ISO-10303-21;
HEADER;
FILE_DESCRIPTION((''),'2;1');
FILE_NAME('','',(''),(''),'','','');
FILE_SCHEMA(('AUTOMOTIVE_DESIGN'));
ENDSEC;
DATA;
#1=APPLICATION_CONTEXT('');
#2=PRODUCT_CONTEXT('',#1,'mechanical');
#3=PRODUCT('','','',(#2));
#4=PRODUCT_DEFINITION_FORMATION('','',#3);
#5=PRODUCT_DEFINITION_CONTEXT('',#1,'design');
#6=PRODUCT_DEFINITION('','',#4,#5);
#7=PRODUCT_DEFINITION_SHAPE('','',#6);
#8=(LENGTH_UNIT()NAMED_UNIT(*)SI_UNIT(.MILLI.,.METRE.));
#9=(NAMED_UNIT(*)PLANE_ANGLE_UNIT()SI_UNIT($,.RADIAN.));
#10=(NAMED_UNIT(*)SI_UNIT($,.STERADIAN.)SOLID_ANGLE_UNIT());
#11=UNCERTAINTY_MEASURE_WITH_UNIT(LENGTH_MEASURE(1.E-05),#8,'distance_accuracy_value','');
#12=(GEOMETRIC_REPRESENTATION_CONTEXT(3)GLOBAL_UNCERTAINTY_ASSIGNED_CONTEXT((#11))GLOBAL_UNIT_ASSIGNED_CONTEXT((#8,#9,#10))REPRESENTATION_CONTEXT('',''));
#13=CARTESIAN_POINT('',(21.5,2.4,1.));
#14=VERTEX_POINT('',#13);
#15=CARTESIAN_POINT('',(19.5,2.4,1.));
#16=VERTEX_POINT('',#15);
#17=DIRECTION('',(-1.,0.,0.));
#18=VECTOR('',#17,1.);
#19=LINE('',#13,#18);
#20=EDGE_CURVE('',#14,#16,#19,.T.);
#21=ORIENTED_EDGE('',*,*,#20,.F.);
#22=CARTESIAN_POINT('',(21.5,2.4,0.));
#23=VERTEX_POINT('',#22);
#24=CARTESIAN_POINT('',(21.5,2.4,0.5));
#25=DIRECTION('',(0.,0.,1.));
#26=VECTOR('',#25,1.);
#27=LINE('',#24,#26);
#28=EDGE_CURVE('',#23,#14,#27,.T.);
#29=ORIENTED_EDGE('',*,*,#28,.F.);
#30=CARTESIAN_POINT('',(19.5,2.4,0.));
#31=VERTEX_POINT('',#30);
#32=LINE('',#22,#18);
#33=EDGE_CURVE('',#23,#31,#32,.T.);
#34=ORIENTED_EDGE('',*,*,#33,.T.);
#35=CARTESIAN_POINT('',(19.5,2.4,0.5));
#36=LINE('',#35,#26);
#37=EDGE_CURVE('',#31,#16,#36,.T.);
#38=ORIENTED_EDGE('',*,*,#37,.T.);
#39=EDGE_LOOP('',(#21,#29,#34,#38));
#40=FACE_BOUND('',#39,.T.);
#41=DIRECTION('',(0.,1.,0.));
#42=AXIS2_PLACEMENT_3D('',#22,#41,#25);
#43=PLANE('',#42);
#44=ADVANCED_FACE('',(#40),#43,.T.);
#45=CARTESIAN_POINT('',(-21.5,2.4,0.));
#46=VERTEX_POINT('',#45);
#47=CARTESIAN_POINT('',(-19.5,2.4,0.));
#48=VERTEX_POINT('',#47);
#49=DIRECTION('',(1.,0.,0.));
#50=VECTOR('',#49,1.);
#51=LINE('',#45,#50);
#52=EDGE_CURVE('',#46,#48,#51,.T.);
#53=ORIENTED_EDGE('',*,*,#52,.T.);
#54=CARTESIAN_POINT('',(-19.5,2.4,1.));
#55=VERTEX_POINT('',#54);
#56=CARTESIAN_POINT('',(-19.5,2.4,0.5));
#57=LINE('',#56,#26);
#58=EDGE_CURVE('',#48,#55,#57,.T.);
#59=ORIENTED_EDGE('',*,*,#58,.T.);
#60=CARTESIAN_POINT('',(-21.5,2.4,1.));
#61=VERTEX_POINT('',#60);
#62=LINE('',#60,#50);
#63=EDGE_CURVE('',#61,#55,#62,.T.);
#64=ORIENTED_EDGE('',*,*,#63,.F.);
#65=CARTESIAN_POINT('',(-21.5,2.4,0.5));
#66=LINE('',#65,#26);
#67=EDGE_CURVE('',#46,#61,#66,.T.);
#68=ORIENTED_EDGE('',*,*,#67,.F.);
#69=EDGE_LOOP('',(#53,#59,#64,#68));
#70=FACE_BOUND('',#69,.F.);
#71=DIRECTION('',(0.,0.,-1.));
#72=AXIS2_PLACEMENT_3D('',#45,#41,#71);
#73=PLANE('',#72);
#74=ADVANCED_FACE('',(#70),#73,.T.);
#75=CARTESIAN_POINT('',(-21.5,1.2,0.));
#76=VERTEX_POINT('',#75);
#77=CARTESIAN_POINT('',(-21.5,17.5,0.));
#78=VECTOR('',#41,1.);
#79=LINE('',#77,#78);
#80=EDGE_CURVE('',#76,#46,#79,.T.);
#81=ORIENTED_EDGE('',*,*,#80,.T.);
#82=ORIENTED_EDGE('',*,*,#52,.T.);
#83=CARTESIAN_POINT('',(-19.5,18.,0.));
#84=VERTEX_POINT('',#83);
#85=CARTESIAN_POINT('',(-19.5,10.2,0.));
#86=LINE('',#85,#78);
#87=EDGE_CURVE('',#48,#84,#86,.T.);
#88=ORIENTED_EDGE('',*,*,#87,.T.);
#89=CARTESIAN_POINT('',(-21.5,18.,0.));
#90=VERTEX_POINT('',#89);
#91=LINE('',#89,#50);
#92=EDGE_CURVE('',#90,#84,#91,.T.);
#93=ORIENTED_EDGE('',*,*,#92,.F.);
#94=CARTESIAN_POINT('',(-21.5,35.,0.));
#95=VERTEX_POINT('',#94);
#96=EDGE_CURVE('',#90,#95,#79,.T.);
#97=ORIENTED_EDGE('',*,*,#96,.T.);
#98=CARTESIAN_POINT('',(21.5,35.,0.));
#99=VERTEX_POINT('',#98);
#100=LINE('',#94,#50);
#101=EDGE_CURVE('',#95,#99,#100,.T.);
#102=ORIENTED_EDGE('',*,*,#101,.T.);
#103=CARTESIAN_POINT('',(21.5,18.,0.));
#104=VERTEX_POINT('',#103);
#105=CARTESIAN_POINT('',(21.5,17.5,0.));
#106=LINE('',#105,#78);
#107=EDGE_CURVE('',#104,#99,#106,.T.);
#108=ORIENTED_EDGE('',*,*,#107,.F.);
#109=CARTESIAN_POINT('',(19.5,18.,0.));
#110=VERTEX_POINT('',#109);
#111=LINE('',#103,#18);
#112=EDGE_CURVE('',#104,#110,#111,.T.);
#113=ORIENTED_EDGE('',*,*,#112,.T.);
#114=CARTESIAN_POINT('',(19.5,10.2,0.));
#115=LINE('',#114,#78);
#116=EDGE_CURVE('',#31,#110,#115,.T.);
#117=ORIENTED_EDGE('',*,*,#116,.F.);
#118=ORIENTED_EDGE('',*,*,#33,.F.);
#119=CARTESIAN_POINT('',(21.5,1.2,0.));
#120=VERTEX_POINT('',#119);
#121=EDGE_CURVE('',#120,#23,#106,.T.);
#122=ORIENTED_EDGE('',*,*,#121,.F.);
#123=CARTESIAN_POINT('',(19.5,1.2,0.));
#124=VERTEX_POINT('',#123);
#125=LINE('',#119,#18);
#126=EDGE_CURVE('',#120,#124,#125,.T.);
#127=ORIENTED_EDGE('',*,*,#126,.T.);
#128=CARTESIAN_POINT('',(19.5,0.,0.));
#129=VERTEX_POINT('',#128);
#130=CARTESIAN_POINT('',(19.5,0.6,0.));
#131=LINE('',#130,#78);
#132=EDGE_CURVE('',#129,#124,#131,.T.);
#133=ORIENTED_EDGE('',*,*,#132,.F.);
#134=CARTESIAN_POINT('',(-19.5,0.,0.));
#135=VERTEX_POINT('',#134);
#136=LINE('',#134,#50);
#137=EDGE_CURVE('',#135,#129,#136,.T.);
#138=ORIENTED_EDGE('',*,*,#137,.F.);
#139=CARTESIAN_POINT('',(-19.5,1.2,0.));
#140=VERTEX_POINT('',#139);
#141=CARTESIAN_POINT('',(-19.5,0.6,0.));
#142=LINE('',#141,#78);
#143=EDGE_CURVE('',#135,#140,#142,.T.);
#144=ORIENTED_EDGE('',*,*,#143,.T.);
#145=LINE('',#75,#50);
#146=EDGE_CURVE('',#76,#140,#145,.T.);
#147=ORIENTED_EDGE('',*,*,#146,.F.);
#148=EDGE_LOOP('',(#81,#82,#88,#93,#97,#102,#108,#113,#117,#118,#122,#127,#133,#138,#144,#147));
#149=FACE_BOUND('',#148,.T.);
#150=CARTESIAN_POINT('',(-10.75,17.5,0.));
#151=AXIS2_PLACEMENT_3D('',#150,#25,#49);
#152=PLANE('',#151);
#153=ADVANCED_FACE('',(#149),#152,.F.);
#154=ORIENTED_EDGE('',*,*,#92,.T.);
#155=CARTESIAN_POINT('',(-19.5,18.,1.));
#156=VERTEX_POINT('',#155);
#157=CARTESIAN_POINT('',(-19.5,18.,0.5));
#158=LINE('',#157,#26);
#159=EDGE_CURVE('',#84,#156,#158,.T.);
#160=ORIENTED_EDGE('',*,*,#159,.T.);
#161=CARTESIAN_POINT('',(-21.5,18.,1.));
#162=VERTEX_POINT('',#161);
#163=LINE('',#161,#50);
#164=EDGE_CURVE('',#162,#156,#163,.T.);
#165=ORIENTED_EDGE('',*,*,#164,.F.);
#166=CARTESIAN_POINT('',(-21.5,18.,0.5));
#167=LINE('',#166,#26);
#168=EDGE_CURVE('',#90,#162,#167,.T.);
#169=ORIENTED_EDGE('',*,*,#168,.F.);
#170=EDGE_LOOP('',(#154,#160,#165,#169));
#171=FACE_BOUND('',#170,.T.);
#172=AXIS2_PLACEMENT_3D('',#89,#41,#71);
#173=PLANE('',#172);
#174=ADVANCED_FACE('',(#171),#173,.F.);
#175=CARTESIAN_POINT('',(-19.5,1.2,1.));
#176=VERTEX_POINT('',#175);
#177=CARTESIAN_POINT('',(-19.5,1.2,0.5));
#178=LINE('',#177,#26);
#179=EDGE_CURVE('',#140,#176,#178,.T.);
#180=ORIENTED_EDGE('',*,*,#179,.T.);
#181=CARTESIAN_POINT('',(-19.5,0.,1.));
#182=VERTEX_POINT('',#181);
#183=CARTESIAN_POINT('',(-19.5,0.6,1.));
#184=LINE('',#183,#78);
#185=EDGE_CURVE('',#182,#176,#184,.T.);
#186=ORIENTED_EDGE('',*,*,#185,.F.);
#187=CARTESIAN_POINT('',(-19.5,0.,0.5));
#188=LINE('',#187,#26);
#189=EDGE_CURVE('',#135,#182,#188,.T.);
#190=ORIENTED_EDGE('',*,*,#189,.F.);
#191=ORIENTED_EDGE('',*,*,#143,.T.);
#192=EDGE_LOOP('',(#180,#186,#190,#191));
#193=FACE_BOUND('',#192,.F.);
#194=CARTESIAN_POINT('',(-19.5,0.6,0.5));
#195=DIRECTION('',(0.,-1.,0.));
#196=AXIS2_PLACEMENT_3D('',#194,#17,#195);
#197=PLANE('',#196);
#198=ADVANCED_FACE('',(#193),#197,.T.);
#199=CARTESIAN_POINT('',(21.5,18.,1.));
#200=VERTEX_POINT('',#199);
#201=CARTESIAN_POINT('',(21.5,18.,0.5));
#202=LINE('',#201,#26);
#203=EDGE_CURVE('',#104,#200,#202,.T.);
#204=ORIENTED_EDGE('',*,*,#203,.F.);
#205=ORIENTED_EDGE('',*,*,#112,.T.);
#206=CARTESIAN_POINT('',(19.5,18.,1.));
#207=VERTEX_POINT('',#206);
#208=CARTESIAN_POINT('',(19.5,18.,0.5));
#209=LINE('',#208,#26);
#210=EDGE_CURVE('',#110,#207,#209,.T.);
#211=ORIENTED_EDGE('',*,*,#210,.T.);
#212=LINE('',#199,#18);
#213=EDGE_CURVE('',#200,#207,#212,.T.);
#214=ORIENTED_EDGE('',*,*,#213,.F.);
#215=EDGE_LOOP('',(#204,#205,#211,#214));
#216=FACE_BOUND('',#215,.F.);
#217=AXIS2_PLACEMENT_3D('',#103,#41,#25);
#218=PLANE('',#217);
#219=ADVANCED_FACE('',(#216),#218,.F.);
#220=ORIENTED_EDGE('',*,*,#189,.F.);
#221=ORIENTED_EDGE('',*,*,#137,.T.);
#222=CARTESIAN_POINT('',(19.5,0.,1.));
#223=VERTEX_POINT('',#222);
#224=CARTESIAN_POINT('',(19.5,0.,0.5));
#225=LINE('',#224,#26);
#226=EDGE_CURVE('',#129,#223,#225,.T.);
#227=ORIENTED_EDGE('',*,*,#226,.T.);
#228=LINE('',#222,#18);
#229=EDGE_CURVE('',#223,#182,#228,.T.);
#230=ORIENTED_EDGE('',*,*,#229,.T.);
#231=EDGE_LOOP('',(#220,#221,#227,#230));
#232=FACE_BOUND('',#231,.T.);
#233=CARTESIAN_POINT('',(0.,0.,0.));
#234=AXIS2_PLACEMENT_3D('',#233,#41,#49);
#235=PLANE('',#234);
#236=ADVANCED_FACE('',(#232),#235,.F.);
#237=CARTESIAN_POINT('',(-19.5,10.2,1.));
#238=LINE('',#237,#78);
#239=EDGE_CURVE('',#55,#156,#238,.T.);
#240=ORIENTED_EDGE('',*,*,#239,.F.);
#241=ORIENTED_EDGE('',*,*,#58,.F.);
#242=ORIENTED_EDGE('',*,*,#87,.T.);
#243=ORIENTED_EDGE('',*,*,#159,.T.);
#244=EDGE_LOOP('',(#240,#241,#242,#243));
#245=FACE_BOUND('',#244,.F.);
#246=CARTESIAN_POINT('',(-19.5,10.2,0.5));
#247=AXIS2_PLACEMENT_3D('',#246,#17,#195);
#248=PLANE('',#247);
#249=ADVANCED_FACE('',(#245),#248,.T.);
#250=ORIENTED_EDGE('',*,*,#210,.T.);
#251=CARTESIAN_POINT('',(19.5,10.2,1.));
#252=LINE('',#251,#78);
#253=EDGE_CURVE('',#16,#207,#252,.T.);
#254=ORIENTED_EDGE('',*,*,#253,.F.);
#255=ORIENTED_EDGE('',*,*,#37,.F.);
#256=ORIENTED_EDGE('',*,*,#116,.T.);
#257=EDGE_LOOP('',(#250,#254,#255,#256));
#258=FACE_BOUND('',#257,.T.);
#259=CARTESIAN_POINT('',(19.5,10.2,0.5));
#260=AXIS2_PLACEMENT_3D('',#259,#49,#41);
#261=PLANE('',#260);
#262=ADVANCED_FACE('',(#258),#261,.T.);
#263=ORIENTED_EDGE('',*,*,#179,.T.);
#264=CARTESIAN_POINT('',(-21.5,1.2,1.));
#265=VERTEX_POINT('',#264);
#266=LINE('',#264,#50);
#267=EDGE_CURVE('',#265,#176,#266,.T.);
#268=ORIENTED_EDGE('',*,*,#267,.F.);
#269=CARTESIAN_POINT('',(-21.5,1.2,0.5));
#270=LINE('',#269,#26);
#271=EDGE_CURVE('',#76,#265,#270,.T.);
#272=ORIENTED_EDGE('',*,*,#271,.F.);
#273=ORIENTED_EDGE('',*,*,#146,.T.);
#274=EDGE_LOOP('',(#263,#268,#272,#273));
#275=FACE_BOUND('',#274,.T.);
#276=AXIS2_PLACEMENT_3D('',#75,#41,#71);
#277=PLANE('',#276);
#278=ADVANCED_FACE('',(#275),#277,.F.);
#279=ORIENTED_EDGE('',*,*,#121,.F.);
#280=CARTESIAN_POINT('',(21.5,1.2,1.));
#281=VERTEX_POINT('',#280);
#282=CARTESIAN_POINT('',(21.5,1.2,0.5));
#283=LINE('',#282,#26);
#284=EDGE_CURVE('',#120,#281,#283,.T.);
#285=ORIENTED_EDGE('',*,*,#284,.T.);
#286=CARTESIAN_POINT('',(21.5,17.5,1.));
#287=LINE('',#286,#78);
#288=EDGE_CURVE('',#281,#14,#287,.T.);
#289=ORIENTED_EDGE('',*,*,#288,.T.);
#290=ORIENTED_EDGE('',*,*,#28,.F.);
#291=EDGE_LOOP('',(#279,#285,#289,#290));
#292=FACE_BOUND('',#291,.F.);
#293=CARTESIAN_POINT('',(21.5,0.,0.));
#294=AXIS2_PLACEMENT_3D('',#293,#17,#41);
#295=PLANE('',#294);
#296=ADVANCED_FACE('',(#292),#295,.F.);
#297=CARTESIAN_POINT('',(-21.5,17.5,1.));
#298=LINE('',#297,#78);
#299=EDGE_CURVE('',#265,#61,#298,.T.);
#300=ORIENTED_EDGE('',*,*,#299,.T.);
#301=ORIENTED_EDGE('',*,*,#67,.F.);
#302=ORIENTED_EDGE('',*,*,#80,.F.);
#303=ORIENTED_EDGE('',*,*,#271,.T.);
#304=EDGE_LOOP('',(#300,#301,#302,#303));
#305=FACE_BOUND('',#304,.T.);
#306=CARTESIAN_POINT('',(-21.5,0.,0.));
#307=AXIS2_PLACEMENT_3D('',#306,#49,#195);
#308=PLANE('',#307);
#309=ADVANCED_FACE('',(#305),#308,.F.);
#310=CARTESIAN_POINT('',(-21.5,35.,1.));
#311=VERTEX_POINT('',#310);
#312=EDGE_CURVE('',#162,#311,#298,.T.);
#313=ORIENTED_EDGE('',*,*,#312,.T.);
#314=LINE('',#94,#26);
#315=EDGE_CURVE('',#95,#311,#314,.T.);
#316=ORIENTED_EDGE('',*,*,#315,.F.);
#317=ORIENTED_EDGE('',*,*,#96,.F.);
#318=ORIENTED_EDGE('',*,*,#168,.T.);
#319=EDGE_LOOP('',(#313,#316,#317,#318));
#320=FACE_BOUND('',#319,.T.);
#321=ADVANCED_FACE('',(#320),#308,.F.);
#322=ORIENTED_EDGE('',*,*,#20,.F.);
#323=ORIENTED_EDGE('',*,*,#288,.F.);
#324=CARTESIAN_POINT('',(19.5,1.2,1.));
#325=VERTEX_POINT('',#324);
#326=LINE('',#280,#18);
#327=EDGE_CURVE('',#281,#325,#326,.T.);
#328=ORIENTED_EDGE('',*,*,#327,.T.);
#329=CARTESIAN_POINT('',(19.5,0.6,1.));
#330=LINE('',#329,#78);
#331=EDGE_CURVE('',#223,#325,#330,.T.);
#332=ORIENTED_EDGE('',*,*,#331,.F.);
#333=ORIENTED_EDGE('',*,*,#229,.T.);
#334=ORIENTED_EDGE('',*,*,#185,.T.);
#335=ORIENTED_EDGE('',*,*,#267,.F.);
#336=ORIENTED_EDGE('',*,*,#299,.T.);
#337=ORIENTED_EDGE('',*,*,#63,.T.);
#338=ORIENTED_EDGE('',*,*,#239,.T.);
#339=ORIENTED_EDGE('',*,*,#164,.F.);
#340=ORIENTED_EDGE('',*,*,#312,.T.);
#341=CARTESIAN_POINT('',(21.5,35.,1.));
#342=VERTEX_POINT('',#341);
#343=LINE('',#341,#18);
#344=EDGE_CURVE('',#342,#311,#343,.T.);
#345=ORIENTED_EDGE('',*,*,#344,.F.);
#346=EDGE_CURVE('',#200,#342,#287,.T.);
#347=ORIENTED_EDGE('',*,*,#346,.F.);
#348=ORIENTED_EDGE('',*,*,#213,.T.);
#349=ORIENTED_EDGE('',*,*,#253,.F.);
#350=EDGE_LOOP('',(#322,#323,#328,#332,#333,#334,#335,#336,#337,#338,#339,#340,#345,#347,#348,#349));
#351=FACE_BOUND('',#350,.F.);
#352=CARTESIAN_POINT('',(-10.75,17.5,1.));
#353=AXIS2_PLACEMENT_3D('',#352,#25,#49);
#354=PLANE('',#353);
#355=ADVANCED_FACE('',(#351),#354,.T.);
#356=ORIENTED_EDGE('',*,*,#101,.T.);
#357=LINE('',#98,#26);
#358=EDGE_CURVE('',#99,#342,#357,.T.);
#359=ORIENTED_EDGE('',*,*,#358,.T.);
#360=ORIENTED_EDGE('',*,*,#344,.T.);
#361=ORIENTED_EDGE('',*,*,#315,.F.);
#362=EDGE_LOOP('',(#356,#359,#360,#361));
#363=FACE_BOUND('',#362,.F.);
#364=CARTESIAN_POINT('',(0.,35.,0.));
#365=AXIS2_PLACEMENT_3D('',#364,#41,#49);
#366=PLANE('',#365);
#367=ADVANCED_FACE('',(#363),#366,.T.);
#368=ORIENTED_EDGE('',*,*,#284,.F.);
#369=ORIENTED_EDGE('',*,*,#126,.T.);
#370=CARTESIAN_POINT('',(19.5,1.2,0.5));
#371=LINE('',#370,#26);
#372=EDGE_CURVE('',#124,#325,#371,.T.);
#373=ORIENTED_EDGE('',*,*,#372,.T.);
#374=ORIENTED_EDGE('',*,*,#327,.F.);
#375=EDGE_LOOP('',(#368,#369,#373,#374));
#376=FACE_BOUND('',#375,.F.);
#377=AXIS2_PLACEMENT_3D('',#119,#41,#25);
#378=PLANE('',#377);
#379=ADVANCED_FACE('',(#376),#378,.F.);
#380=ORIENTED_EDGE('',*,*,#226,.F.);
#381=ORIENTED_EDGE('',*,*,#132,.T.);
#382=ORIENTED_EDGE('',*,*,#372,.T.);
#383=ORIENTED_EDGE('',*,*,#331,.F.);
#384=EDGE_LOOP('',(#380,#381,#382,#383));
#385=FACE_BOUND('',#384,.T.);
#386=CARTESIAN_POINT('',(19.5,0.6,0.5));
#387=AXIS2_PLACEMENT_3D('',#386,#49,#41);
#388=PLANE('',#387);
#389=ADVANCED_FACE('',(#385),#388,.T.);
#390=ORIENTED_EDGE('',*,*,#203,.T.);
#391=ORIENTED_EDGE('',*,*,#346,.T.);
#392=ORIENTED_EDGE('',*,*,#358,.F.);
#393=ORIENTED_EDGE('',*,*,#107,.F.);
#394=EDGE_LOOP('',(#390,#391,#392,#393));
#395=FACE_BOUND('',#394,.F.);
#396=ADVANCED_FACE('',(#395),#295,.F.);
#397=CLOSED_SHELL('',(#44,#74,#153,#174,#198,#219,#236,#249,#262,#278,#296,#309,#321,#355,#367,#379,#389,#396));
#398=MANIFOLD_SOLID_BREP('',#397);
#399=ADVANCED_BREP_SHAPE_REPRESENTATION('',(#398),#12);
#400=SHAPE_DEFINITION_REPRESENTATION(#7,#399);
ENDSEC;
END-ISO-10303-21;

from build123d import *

# Parameters (mm, degrees)
SKETCH037_W     = 21.5
SKETCH037_H     = 35
PAD014_DEPTH    = 1
SKETCH038_W     = 1.2
SKETCH038_H     = 1
SKETCH038_W_2   = 15.6
POCKET024_DEPTH = 2


with BuildPart() as part:
    # Sketch037 → Pad014 (new body)
    with BuildSketch(Plane.XY):
        with Locations((10.75, 17.5)):
            Rectangle(SKETCH037_W, SKETCH037_H)
    extrude(amount=PAD014_DEPTH)

    # Sketch038 (on Face2 of Pad014) → Pocket024 (cut)
    with BuildSketch(Plane.YZ.offset(21.5)):
        with Locations((0.6, 0.5)):
            Rectangle(SKETCH038_W, SKETCH038_H)
        with Locations((10.2, 0.5)):
            Rectangle(SKETCH038_W_2, SKETCH038_H)
    extrude(amount=-POCKET024_DEPTH, mode=Mode.SUBTRACT)

    # Mirrored: part across face of Pocket024


with BuildPart() as part_1:
    add(part.part)
    add(part.part.mirror(Plane(origin=(0, 17.5, 0.5), x_dir=(0, -1, 0), z_dir=(-1, 0, 0))))


solid = part_1.part
